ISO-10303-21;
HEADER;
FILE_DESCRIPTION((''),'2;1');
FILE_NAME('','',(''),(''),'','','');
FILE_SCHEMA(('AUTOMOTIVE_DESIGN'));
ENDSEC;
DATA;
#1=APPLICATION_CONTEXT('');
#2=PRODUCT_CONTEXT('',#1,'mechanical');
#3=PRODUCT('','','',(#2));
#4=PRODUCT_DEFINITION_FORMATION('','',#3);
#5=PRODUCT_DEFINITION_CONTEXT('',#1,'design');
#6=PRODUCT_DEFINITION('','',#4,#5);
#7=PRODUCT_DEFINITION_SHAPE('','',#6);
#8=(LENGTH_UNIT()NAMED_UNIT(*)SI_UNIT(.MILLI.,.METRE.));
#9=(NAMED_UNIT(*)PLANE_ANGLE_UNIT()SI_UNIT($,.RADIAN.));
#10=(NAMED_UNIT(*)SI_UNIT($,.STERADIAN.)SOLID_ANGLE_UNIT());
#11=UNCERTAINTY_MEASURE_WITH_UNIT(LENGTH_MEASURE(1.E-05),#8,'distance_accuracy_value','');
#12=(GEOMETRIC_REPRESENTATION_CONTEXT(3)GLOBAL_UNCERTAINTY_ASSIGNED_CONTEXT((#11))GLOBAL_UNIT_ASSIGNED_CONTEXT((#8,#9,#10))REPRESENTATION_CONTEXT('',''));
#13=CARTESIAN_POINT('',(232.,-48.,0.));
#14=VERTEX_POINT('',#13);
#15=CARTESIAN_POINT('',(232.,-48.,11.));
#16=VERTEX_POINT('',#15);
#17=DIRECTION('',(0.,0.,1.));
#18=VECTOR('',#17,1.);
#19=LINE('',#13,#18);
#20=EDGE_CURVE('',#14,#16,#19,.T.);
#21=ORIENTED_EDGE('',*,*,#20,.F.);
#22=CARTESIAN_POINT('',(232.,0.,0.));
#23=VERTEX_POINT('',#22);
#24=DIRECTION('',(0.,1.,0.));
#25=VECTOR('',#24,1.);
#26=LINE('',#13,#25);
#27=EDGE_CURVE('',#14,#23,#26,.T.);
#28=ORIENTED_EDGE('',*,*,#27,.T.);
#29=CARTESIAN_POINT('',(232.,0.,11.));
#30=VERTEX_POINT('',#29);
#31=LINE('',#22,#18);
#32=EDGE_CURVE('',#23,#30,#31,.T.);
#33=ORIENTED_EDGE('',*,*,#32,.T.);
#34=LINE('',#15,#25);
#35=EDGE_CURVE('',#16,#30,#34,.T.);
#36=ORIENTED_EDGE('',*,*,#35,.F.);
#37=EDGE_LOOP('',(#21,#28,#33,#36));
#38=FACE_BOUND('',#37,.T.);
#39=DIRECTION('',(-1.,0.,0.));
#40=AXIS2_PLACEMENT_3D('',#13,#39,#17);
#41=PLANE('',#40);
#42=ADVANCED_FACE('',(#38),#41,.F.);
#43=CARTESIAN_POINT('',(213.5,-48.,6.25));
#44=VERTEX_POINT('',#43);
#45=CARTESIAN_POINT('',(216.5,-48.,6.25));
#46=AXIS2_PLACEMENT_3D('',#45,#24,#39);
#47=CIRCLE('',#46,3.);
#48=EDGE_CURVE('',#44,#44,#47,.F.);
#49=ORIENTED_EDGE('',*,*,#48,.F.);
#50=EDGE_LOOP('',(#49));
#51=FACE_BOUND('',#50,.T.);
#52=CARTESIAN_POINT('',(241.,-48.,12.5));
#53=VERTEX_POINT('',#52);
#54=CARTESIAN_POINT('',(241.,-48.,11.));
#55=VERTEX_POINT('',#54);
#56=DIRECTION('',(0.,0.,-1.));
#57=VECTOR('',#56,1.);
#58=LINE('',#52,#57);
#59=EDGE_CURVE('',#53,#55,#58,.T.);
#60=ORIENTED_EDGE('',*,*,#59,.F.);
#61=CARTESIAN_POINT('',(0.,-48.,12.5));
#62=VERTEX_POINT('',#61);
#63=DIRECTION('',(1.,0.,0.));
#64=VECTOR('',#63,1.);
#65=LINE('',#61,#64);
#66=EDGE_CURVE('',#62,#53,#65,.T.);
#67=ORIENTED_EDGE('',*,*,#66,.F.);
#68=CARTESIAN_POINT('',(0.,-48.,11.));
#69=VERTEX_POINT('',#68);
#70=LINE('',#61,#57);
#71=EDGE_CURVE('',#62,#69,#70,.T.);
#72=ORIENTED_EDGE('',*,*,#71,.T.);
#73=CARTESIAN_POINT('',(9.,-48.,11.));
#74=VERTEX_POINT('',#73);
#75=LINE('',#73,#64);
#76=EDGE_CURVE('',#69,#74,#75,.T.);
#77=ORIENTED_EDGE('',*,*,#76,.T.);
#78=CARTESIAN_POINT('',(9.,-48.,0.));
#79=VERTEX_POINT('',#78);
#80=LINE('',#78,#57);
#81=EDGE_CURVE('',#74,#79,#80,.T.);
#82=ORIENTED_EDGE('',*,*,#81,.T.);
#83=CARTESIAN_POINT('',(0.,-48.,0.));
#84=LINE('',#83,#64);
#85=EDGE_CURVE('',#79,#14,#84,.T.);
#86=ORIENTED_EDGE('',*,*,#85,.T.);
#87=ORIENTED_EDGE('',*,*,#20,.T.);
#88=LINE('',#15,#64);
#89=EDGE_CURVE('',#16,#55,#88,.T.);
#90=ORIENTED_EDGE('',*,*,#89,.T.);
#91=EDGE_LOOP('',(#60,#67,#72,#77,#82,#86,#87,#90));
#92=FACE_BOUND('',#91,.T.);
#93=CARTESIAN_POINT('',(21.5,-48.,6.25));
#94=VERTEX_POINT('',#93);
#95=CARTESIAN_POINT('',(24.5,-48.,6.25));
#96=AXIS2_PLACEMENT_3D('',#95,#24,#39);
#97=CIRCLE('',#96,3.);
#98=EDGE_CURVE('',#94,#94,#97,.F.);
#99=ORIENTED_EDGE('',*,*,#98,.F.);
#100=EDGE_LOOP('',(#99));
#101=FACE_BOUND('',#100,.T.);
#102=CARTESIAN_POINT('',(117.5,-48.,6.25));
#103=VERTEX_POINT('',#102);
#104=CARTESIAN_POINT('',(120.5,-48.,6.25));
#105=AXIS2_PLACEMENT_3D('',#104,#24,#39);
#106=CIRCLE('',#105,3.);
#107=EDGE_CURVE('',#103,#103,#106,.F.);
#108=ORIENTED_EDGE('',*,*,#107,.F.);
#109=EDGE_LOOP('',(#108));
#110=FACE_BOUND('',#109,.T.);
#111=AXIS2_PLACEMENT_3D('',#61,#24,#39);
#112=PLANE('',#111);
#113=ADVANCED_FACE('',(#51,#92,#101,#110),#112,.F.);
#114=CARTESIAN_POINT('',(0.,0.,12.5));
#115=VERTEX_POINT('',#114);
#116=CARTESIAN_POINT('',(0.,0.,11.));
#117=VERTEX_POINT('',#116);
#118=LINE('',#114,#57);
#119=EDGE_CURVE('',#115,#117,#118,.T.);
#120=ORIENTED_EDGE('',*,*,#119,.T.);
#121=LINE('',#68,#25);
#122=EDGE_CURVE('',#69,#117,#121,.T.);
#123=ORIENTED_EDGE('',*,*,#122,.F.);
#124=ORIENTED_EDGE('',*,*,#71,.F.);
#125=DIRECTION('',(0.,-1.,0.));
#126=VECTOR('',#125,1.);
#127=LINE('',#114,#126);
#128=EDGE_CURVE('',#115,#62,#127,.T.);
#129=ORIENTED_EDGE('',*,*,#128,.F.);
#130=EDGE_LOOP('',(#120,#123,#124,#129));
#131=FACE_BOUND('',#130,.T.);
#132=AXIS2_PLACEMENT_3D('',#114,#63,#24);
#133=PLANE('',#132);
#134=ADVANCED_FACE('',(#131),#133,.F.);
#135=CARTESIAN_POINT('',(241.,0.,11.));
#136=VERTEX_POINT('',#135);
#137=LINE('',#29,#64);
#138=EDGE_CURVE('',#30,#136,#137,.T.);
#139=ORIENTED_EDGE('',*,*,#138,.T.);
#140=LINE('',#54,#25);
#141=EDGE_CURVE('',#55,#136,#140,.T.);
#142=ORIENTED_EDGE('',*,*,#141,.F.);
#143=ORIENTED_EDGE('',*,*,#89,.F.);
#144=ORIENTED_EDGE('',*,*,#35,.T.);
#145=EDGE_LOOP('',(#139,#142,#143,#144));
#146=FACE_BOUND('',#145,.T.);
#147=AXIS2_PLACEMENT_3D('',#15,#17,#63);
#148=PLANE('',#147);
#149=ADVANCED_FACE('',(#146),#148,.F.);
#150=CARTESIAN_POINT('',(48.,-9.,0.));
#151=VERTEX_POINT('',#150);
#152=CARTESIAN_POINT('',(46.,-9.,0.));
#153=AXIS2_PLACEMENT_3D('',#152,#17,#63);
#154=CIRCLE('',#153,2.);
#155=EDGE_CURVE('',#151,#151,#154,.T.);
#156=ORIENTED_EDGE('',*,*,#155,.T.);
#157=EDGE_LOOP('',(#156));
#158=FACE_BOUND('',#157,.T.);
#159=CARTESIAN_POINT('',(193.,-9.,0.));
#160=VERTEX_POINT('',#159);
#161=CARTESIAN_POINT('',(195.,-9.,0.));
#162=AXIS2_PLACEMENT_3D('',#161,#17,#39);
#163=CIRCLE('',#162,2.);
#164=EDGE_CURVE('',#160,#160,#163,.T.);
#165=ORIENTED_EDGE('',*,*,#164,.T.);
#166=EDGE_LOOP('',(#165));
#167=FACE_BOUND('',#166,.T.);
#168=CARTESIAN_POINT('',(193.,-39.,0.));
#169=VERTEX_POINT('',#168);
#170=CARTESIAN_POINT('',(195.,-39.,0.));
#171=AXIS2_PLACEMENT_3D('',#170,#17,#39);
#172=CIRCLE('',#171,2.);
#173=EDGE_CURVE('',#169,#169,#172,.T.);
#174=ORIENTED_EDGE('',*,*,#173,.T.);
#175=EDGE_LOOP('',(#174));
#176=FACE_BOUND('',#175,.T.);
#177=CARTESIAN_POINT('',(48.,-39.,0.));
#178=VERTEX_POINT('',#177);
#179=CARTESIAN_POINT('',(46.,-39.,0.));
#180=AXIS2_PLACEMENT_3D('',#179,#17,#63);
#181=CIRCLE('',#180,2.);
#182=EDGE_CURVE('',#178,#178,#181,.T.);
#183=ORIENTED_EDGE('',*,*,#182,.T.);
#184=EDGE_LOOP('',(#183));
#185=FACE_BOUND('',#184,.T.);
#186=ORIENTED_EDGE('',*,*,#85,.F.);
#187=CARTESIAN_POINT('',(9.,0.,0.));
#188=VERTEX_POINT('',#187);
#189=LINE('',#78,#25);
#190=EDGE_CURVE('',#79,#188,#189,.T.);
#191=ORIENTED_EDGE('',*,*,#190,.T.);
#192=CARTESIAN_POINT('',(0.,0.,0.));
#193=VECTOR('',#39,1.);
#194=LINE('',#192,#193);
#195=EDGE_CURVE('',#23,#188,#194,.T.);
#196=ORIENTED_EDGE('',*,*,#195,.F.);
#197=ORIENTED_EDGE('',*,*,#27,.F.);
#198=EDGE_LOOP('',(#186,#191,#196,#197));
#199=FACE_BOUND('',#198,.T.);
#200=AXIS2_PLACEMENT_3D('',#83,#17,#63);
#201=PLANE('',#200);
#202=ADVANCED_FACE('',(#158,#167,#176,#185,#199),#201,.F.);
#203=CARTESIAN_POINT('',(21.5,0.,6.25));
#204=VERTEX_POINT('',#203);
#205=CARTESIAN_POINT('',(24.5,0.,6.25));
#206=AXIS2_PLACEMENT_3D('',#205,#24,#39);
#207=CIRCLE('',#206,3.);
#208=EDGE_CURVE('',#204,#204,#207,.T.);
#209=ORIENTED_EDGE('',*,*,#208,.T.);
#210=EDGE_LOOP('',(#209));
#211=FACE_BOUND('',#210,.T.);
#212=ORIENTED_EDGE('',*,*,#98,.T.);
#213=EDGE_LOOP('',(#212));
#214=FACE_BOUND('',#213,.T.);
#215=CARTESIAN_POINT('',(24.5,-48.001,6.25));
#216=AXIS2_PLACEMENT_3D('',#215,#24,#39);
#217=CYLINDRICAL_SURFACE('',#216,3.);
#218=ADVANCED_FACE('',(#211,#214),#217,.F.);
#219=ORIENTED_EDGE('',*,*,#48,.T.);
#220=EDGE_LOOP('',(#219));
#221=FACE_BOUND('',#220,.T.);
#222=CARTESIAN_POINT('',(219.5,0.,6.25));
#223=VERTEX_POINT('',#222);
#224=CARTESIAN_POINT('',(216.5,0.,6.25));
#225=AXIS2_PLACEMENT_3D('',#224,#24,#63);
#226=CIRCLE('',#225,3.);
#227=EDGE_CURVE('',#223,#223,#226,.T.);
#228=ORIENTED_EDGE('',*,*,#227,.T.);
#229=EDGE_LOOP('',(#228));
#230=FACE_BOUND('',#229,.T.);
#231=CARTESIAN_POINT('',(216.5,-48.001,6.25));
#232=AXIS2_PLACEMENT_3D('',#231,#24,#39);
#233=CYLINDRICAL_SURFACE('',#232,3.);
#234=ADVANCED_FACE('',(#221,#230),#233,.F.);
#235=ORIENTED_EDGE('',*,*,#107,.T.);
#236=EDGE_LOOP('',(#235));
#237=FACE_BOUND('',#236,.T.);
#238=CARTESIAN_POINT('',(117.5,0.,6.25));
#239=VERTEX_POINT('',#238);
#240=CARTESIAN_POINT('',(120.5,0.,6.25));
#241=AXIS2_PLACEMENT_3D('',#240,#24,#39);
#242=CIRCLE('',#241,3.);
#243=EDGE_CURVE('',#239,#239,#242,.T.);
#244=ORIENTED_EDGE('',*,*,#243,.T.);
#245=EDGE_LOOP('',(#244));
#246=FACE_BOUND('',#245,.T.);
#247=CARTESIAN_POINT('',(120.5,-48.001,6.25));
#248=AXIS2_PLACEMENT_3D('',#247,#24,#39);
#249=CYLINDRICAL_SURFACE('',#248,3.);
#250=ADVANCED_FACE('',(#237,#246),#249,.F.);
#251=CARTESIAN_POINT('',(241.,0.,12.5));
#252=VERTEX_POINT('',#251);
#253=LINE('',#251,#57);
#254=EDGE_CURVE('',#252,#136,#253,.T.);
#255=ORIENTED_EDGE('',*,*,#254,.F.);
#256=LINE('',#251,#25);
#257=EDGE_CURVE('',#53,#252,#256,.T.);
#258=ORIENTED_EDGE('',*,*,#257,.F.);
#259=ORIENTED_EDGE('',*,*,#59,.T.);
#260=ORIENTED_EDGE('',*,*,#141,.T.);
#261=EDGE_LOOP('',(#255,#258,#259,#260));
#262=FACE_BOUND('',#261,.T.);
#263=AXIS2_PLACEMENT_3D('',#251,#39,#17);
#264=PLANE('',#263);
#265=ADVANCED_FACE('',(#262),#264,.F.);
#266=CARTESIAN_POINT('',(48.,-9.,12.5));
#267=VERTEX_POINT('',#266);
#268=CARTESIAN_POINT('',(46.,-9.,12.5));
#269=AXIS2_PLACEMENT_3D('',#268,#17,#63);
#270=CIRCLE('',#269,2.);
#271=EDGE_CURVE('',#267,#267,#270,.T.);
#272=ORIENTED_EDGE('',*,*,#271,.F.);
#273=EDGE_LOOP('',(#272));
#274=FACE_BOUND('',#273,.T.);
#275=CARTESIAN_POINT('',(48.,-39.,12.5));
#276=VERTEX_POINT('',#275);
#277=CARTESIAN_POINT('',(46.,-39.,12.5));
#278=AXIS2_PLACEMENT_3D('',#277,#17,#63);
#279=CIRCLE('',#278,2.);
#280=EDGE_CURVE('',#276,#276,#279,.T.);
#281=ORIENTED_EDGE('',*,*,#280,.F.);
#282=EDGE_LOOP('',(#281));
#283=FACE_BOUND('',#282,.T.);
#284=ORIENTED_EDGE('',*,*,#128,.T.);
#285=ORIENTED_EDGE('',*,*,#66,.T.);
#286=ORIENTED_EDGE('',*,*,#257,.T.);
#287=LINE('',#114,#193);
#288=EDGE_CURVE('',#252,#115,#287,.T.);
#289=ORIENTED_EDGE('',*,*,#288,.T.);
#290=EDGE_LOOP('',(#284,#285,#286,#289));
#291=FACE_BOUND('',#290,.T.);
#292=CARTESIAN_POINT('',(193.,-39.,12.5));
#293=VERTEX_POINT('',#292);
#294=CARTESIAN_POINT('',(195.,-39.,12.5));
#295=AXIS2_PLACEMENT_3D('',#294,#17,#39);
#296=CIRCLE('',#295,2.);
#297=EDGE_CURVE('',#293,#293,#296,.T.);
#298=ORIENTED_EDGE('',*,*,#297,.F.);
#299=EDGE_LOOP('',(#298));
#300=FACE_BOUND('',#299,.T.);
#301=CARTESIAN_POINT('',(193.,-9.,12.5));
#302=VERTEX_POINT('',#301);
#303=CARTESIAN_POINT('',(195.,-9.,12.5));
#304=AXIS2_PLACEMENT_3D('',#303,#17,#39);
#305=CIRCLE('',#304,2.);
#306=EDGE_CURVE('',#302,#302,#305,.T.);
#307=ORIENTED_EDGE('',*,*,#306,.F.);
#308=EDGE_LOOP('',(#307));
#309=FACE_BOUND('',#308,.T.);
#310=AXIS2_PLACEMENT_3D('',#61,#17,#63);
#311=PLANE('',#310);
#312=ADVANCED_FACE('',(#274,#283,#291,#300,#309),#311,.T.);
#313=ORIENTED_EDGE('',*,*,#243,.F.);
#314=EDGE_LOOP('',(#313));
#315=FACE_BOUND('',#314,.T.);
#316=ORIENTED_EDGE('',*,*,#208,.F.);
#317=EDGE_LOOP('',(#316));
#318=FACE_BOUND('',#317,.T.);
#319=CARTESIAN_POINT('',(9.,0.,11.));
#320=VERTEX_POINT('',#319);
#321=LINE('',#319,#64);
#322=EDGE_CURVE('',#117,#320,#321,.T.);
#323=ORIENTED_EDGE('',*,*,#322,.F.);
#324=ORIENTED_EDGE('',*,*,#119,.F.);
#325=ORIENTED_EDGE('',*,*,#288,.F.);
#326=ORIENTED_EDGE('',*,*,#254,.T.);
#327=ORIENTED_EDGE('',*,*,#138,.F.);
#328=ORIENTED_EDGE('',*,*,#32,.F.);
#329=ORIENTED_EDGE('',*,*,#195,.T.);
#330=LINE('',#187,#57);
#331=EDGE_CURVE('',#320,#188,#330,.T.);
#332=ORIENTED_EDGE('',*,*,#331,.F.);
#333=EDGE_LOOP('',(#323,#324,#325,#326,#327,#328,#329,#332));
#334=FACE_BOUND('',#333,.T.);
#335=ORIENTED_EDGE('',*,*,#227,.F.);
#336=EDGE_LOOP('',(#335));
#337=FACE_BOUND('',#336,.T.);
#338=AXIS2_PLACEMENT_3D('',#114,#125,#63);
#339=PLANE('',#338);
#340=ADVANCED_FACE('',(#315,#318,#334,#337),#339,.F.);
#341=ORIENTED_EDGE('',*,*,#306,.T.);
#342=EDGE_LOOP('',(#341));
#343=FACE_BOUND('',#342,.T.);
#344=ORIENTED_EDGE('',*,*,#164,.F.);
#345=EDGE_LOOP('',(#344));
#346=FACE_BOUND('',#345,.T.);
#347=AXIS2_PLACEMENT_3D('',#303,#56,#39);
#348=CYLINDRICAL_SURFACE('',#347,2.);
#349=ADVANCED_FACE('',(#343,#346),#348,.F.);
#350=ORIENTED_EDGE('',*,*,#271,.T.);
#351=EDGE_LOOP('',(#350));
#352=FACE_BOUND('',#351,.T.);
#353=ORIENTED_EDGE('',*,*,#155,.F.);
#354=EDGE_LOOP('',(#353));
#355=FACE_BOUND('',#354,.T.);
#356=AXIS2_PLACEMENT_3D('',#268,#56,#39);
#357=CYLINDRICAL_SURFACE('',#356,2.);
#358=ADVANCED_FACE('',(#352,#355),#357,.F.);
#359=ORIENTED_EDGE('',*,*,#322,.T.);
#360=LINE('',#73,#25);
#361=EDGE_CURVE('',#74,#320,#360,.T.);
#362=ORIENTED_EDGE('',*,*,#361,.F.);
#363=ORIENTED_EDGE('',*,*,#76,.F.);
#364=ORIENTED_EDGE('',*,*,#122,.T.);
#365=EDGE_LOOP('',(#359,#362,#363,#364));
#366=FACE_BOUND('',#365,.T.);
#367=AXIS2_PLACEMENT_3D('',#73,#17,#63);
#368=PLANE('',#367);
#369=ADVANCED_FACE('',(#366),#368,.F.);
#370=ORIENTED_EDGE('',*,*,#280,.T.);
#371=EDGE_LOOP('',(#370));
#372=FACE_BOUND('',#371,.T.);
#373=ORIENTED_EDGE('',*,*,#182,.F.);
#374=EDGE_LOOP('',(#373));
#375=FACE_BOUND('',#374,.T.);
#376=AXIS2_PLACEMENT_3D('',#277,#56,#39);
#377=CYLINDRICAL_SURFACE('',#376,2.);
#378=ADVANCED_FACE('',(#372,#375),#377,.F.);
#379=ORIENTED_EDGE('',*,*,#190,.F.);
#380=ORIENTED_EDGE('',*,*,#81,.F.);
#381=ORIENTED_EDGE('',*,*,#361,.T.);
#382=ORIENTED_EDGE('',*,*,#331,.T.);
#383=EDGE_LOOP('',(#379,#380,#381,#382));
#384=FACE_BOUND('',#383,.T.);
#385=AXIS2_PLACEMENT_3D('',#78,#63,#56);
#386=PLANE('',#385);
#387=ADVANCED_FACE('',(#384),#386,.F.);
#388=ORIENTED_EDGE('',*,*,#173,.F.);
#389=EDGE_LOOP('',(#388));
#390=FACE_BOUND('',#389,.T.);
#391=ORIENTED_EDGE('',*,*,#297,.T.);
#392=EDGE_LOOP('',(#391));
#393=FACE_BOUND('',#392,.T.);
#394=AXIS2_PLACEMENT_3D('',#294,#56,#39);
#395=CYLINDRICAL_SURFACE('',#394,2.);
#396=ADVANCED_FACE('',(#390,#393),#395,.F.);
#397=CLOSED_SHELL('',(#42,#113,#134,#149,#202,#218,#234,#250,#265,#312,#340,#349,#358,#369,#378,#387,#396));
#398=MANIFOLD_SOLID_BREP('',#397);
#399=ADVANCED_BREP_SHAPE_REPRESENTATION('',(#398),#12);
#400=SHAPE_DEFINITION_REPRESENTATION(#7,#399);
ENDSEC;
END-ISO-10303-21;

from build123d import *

# Parameters (mm, degrees)
ESQUISSE1_W      = 241
ESQUISSE1_H      = 48
ESQUISSE1_R      = 2
EXTRUSION1_DEPTH = 12.5
ESQUISSE2_W      = 9
ESQUISSE2_H      = 11
EXTRUSION2_DEPTH = 49
EXTRUSION3_REACH = 50
ESQUISSE3_R      = 3


with BuildPart() as part:
    # Esquisse1 → Extrusion1 (new body)
    with BuildSketch(Plane.XY):
        with Locations((120.5, -24)):
            Rectangle(ESQUISSE1_W, ESQUISSE1_H)
        with Locations((195, -39)):
            Circle(ESQUISSE1_R, mode=Mode.SUBTRACT)
        with Locations((46, -9)):
            Circle(ESQUISSE1_R, mode=Mode.SUBTRACT)
        with Locations((46, -39)):
            Circle(ESQUISSE1_R, mode=Mode.SUBTRACT)
        with Locations((195, -9)):
            Circle(ESQUISSE1_R, mode=Mode.SUBTRACT)
    extrude(amount=EXTRUSION1_DEPTH)

    # Esquisse2 → Extrusion2 (cut, through all)
    with BuildSketch(Plane(origin=(0, 0, 0), x_dir=(1, 0, 0), z_dir=(0, 1, 0))):
        with Locations((4.5, -5.5)):
            Rectangle(ESQUISSE2_W, ESQUISSE2_H)
        with Locations((236.5, -5.5)):
            Rectangle(ESQUISSE2_W, ESQUISSE2_H)
    extrude(amount=-EXTRUSION2_DEPTH, mode=Mode.SUBTRACT)

    # Esquisse3 → Extrusion3 (cut, up to next)
    with BuildSketch(Plane(origin=(0, 0, 0), x_dir=(1, 0, 0), z_dir=(0, 1, 0)), mode=Mode.PRIVATE) as extrusion3_sk1:
        with Locations((120.5, -6.25)):
            Circle(ESQUISSE3_R)
    extrusion3_tool1 = extrude(extrusion3_sk1.sketch, amount=-EXTRUSION3_REACH, mode=Mode.PRIVATE) & part.part
    add(extrusion3_tool1.solids().sort_by_distance((120.5, 0, 6.25))[0], mode=Mode.SUBTRACT)
    # Esquisse3 → Extrusion3 (cut, up to next)
    with BuildSketch(Plane(origin=(0, 0, 0), x_dir=(1, 0, 0), z_dir=(0, 1, 0)), mode=Mode.PRIVATE) as extrusion3_sk2:
        with Locations((24.5, -6.25)):
            Circle(ESQUISSE3_R)
    extrusion3_tool2 = extrude(extrusion3_sk2.sketch, amount=-EXTRUSION3_REACH, mode=Mode.PRIVATE) & part.part
    add(extrusion3_tool2.solids().sort_by_distance((24.5, 0, 6.25))[0], mode=Mode.SUBTRACT)
    # Esquisse3 → Extrusion3 (cut, up to next)
    with BuildSketch(Plane(origin=(0, 0, 0), x_dir=(1, 0, 0), z_dir=(0, 1, 0)), mode=Mode.PRIVATE) as extrusion3_sk3:
        with Locations((216.5, -6.25)):
            Circle(ESQUISSE3_R)
    extrusion3_tool3 = extrude(extrusion3_sk3.sketch, amount=-EXTRUSION3_REACH, mode=Mode.PRIVATE) & part.part
    add(extrusion3_tool3.solids().sort_by_distance((216.5, 0, 6.25))[0], mode=Mode.SUBTRACT)


solid = part.part
